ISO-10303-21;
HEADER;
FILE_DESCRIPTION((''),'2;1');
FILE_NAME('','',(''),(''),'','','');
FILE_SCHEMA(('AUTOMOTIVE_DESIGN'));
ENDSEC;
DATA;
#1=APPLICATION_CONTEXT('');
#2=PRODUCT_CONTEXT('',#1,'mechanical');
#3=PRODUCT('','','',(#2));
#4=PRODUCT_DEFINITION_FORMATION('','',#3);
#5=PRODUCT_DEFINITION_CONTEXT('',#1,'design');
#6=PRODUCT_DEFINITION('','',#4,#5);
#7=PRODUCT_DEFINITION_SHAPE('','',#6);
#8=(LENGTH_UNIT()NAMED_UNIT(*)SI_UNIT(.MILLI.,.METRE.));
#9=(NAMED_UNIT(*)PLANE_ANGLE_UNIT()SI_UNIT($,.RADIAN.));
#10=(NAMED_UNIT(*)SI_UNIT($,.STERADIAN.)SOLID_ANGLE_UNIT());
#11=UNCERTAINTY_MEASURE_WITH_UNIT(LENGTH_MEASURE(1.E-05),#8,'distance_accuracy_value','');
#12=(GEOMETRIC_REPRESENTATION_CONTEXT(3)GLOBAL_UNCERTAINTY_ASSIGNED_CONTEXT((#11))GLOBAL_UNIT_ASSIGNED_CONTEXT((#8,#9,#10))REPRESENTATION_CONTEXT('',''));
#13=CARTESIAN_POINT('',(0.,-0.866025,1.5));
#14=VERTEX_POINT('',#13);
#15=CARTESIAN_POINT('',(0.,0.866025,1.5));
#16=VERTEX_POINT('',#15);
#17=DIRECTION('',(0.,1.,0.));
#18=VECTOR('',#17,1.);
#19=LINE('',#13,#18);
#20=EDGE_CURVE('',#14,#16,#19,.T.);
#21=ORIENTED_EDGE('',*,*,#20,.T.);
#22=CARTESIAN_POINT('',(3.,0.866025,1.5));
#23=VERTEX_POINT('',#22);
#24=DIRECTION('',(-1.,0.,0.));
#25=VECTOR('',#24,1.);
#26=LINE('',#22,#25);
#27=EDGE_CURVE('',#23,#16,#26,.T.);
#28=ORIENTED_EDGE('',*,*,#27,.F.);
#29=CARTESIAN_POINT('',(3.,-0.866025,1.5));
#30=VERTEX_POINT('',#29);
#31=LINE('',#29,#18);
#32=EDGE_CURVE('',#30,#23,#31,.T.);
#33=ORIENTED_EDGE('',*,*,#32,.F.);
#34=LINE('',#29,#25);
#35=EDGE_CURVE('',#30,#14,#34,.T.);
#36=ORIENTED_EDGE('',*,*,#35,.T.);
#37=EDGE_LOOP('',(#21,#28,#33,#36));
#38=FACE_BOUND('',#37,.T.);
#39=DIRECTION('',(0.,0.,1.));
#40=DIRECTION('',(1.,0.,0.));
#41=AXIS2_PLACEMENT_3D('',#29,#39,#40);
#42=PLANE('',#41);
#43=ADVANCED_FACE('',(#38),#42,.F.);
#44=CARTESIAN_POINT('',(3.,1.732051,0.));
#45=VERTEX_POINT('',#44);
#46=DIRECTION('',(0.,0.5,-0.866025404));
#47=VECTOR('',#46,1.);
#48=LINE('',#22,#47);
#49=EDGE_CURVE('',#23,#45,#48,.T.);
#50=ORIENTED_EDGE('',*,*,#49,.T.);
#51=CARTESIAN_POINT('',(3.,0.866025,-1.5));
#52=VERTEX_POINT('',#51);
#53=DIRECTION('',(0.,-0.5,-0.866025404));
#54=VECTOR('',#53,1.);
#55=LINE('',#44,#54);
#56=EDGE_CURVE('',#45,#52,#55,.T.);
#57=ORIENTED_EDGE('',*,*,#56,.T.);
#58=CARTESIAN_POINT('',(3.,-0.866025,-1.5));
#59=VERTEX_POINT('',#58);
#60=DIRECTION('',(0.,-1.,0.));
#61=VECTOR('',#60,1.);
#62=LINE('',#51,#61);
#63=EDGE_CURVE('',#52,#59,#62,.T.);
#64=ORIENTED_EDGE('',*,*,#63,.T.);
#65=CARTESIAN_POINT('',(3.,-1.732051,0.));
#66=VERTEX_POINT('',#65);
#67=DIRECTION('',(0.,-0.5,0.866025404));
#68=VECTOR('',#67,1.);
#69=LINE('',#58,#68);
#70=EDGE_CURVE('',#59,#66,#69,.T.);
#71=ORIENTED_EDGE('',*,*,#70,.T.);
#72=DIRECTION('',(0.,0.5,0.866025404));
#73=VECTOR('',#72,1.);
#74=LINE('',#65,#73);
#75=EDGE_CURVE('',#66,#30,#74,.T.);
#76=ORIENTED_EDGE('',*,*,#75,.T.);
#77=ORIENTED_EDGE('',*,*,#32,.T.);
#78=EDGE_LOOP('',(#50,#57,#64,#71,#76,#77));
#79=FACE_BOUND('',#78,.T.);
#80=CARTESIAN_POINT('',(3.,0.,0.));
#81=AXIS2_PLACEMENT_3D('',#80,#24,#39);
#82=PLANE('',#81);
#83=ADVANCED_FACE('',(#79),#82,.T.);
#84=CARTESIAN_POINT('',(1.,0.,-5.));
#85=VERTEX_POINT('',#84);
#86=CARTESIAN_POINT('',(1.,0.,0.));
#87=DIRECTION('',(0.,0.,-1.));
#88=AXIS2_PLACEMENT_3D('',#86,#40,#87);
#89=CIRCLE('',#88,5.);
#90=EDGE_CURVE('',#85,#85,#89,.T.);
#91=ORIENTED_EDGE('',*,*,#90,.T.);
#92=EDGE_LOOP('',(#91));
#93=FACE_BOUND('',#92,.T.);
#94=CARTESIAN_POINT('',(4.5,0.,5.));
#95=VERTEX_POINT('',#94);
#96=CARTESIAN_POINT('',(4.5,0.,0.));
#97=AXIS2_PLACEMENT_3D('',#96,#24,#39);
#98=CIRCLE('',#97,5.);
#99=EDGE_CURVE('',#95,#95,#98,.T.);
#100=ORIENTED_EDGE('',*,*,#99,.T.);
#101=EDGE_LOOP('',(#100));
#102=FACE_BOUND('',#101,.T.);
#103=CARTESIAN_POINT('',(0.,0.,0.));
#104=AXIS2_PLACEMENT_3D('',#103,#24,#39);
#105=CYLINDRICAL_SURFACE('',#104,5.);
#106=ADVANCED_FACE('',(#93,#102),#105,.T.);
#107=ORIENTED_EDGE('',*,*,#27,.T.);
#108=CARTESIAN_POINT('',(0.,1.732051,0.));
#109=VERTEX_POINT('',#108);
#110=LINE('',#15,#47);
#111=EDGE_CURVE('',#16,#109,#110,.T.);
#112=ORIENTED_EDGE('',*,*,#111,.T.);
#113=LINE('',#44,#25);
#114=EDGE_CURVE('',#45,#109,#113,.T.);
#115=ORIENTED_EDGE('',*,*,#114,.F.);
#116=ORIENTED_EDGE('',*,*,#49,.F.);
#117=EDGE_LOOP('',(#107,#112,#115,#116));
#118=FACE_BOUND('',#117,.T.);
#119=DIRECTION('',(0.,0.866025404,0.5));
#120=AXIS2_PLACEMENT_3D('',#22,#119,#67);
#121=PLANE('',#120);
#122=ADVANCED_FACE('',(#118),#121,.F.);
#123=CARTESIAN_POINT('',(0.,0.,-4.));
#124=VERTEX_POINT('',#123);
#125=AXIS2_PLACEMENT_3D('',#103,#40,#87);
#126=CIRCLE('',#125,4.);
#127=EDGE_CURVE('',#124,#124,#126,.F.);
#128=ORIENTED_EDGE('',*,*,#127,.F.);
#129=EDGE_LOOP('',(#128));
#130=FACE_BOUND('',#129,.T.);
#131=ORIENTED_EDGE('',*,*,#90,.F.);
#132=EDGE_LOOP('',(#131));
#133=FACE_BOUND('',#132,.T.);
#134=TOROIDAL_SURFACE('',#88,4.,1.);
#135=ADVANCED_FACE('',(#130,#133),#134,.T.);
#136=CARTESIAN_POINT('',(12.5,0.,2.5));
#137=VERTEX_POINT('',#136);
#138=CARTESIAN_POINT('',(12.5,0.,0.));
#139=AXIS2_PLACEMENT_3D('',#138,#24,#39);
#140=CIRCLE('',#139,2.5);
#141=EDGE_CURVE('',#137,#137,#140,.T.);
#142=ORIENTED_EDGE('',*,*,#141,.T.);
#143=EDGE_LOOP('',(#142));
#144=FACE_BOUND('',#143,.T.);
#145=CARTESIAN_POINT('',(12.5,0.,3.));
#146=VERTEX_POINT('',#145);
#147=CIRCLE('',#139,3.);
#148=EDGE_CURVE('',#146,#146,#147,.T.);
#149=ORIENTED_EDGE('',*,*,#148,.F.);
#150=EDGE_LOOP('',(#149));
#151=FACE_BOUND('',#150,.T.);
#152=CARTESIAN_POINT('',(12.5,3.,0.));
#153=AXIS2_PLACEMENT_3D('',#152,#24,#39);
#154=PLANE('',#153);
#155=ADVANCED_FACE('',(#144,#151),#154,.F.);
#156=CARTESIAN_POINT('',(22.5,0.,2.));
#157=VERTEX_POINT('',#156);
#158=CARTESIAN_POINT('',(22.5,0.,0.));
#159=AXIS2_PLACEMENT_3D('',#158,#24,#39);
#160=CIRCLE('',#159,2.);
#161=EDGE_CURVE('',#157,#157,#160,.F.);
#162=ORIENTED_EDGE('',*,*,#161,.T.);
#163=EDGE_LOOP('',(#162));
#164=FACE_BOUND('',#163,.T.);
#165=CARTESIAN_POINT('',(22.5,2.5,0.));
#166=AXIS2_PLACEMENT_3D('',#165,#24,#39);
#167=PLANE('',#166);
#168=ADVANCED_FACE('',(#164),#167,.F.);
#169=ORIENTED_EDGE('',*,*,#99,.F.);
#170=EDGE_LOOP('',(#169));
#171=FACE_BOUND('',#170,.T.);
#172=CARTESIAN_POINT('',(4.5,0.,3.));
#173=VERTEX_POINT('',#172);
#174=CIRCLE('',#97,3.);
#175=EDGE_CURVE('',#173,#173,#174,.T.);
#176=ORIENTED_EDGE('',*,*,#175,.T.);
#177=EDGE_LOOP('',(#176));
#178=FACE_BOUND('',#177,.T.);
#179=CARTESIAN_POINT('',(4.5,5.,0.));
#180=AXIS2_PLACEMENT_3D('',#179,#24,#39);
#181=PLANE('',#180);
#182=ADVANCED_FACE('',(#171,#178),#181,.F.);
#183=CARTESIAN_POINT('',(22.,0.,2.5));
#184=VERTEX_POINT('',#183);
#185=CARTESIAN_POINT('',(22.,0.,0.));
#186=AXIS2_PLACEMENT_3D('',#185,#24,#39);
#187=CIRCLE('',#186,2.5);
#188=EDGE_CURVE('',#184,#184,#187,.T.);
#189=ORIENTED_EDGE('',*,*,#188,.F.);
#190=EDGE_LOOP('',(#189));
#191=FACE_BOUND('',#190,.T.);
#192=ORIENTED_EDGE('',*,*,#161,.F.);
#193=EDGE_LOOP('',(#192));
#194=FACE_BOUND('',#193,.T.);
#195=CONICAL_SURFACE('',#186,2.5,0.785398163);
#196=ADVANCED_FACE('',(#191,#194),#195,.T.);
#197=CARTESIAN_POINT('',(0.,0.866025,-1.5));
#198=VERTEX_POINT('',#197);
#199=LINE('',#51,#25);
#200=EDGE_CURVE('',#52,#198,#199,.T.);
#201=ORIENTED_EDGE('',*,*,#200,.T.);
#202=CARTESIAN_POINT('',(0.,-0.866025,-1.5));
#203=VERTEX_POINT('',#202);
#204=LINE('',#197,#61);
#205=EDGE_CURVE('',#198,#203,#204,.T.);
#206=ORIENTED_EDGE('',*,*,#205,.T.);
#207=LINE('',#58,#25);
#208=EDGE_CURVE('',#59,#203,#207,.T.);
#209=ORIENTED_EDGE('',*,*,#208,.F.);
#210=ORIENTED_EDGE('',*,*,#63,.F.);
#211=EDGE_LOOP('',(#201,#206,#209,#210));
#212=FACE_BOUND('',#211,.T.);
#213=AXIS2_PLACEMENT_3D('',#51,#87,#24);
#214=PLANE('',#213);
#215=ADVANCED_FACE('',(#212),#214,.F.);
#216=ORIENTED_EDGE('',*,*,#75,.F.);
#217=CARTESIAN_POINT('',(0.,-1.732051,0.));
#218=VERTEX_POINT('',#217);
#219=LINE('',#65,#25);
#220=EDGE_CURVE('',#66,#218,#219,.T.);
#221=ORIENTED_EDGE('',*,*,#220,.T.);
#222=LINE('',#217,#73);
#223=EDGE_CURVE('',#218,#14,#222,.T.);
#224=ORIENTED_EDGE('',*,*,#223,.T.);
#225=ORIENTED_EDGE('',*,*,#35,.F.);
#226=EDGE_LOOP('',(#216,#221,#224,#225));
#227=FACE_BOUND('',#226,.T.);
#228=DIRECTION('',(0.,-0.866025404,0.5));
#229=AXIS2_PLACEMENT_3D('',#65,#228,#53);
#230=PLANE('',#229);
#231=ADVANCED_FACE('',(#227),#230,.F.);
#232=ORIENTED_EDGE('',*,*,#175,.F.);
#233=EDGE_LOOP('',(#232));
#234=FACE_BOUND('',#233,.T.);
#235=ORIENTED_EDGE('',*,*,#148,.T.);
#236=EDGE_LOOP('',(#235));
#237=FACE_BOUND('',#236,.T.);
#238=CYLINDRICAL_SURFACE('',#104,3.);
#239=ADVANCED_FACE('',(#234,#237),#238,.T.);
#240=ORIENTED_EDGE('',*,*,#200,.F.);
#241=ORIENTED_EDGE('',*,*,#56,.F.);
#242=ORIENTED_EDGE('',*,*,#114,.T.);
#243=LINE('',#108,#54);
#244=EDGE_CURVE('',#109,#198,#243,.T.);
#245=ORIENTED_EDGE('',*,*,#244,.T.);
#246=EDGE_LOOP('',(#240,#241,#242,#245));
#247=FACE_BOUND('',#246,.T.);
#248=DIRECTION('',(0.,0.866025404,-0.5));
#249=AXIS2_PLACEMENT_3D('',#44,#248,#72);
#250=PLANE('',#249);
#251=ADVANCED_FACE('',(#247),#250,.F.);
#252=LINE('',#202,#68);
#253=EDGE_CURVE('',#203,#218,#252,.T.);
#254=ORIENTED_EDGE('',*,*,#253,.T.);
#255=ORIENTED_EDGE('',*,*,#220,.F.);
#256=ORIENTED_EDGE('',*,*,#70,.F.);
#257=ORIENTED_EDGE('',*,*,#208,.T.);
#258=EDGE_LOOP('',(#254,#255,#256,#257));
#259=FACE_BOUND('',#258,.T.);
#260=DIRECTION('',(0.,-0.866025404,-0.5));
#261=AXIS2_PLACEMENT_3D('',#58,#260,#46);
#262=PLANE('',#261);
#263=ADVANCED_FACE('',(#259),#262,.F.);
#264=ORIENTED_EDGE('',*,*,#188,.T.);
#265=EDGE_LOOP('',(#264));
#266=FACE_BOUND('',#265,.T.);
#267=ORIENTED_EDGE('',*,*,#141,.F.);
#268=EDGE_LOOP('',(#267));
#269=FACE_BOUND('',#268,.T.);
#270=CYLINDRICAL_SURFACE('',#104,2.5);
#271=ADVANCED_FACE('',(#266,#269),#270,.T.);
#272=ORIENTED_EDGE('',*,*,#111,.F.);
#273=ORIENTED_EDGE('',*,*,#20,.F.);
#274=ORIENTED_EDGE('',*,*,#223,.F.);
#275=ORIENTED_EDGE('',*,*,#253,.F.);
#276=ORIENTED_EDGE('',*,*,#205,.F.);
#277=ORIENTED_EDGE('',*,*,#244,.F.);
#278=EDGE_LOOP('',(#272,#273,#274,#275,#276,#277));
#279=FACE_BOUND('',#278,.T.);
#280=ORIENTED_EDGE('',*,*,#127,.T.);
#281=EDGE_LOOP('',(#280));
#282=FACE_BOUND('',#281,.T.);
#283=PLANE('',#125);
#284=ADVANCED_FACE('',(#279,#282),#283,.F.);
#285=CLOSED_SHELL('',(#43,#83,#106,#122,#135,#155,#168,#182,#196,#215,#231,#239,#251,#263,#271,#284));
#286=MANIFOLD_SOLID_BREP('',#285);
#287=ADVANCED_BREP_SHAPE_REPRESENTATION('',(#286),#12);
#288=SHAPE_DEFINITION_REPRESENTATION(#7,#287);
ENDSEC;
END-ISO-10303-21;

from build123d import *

# Parameters (mm, degrees)
CUT_EXTRUDE_1_DEPTH = 3
FILLET_1_R          = 1
CHAMFER_1_SIZE      = 0.5


with BuildPart() as part:
    # 草图1 → 旋转1 (revolve)
    with BuildSketch(Plane.XY):
        Polygon((0, 0), (0, 5), (4.5, 5), (4.5, 3), (12.5, 3), (12.5, 2.5), (22.5, 2.5), (22.5, 0), align=None)
    revolve(axis=Axis((0, 0, 0), (1, 0, 0)))

    # 草图2 → 切除-拉伸1 (cut)
    with BuildSketch(Plane.ZY):
        Polygon((0, 1.732050808), (-1.5, 0.866025404), (-1.5, -0.866025404), (0, -1.732050808), (1.5, -0.866025404), (1.5, 0.866025404), align=None)
    extrude(amount=-CUT_EXTRUDE_1_DEPTH, mode=Mode.SUBTRACT)

    # 圆角1
    fillet_1_edges = [part.edges().sort_by_distance(p)[0] for p in [
        (0, -5, 0),
    ]]
    fillet(fillet_1_edges, radius=FILLET_1_R)

    # 倒角1
    chamfer_1_edges = [part.edges().sort_by_distance(p)[0] for p in [
        (22.5, -2.5, 0),
    ]]
    chamfer(chamfer_1_edges, length=CHAMFER_1_SIZE)


solid = part.part
